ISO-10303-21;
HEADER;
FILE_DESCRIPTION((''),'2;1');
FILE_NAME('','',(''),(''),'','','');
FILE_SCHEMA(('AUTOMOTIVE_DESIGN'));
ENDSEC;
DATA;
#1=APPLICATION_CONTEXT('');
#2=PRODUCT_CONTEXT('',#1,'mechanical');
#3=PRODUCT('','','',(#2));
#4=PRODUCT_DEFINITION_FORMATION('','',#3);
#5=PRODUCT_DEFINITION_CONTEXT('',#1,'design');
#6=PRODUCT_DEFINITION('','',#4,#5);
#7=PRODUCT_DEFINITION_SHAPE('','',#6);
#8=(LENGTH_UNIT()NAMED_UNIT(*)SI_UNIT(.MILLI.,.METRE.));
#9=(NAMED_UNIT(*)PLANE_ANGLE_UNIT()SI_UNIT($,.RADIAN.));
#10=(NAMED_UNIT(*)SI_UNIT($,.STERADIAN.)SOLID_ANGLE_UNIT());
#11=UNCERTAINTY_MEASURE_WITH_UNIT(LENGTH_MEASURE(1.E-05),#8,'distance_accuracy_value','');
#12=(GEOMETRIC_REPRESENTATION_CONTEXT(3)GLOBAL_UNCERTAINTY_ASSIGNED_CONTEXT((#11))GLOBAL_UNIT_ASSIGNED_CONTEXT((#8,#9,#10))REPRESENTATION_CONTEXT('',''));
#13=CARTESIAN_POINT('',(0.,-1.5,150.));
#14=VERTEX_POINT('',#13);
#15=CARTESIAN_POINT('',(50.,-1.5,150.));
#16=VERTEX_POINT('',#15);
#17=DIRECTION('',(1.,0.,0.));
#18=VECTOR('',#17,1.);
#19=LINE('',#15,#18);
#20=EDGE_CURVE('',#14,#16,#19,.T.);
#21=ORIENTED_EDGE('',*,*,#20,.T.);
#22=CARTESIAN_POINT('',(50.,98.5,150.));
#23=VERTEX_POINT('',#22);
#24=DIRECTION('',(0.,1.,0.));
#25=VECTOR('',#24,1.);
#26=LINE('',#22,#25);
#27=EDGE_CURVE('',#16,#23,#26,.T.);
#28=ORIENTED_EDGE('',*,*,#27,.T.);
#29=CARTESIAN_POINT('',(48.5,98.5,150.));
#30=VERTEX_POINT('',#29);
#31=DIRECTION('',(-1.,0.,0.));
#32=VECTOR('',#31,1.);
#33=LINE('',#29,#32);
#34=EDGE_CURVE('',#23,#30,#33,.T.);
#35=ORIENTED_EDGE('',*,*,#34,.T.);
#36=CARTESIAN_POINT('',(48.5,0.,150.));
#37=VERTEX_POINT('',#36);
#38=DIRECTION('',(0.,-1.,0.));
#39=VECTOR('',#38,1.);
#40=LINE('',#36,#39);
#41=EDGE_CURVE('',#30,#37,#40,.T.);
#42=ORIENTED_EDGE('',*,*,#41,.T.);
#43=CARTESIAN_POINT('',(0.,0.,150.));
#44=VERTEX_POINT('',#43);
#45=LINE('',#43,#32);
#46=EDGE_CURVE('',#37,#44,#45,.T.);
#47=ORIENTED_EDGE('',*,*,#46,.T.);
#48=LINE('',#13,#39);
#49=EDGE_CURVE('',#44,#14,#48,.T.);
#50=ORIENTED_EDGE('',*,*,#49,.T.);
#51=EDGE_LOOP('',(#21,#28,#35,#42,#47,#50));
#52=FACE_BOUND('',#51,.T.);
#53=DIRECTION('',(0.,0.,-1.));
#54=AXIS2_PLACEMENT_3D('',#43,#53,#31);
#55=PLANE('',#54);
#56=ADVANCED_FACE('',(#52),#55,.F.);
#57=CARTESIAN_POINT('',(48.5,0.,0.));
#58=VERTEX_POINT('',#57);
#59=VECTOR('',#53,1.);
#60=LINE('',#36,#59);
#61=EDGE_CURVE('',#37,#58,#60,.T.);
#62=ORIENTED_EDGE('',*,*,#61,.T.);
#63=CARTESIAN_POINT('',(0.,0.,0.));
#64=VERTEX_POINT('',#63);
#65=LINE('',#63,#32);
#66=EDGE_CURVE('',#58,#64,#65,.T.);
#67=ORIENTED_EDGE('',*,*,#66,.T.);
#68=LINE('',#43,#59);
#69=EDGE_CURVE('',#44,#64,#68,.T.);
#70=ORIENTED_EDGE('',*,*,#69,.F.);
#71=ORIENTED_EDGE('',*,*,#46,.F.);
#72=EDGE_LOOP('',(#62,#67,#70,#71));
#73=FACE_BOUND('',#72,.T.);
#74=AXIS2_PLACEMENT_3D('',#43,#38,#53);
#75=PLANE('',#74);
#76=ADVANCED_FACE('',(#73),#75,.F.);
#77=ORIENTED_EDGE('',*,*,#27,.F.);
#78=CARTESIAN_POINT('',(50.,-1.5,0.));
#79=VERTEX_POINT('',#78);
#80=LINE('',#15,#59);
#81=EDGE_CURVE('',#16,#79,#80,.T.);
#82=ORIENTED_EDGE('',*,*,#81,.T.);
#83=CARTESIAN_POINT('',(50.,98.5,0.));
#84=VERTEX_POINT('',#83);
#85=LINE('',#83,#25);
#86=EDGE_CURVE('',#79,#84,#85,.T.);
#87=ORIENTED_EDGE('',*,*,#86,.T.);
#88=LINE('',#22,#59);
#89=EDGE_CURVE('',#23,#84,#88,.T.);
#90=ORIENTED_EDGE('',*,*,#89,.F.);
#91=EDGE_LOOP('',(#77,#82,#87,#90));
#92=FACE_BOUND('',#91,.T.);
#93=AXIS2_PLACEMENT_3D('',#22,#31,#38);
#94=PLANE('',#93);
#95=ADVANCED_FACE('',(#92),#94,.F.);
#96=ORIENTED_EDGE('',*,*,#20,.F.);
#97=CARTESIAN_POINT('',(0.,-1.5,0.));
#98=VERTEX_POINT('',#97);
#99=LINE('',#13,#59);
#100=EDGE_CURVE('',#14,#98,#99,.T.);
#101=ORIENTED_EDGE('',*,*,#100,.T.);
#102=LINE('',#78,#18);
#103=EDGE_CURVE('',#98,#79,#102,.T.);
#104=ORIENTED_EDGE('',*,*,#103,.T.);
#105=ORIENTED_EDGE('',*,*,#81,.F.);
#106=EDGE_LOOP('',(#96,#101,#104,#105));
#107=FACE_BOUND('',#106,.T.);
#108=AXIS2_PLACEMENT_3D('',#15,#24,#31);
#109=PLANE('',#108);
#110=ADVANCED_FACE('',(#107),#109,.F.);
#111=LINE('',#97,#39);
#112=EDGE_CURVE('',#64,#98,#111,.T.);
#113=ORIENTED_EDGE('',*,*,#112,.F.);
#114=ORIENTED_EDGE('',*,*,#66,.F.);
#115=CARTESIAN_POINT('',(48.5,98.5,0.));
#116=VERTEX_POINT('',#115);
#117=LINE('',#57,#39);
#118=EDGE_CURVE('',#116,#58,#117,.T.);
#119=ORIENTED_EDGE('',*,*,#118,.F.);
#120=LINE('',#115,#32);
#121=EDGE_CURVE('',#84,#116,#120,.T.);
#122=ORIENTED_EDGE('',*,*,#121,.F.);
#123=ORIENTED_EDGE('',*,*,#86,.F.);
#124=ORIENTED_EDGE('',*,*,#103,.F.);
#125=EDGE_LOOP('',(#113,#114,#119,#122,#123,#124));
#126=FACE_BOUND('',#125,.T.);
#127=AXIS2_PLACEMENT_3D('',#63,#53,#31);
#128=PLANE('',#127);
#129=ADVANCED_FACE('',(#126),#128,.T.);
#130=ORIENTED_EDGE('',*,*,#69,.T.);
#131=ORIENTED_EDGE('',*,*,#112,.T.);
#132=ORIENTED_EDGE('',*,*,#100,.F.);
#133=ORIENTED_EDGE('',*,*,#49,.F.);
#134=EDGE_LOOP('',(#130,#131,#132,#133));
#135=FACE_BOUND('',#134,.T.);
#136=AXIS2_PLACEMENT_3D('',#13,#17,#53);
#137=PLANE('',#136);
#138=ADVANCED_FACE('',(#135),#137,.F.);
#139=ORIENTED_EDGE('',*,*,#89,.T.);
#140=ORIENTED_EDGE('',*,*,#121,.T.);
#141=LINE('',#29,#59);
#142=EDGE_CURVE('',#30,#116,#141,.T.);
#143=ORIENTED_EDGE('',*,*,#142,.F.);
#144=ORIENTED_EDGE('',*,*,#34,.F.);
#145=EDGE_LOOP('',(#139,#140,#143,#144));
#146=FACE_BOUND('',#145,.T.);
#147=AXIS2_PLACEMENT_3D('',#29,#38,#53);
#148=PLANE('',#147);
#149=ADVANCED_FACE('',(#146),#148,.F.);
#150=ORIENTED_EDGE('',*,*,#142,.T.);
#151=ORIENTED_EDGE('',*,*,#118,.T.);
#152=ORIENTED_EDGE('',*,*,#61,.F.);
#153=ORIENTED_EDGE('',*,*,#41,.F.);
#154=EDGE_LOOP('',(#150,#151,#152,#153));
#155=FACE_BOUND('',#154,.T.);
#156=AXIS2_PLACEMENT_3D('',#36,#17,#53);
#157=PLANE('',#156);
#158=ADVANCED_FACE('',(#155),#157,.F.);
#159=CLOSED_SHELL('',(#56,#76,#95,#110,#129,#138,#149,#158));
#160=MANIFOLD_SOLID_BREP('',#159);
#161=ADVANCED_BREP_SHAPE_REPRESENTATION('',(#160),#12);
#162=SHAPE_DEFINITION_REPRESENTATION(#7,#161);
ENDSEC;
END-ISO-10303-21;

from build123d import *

# Parameters (mm, degrees)
BOSS_EXTRU_1_DEPTH = 150


with BuildPart() as part:
    # Esquisse1 → Boss.-Extru.1 (new body)
    with BuildSketch(Plane.XY):
        Polygon((0, 0), (48.5, 0), (48.5, 98.5), (50, 98.5), (50, -1.5), (0, -1.5), align=None)
    extrude(amount=BOSS_EXTRU_1_DEPTH)


solid = part.part
